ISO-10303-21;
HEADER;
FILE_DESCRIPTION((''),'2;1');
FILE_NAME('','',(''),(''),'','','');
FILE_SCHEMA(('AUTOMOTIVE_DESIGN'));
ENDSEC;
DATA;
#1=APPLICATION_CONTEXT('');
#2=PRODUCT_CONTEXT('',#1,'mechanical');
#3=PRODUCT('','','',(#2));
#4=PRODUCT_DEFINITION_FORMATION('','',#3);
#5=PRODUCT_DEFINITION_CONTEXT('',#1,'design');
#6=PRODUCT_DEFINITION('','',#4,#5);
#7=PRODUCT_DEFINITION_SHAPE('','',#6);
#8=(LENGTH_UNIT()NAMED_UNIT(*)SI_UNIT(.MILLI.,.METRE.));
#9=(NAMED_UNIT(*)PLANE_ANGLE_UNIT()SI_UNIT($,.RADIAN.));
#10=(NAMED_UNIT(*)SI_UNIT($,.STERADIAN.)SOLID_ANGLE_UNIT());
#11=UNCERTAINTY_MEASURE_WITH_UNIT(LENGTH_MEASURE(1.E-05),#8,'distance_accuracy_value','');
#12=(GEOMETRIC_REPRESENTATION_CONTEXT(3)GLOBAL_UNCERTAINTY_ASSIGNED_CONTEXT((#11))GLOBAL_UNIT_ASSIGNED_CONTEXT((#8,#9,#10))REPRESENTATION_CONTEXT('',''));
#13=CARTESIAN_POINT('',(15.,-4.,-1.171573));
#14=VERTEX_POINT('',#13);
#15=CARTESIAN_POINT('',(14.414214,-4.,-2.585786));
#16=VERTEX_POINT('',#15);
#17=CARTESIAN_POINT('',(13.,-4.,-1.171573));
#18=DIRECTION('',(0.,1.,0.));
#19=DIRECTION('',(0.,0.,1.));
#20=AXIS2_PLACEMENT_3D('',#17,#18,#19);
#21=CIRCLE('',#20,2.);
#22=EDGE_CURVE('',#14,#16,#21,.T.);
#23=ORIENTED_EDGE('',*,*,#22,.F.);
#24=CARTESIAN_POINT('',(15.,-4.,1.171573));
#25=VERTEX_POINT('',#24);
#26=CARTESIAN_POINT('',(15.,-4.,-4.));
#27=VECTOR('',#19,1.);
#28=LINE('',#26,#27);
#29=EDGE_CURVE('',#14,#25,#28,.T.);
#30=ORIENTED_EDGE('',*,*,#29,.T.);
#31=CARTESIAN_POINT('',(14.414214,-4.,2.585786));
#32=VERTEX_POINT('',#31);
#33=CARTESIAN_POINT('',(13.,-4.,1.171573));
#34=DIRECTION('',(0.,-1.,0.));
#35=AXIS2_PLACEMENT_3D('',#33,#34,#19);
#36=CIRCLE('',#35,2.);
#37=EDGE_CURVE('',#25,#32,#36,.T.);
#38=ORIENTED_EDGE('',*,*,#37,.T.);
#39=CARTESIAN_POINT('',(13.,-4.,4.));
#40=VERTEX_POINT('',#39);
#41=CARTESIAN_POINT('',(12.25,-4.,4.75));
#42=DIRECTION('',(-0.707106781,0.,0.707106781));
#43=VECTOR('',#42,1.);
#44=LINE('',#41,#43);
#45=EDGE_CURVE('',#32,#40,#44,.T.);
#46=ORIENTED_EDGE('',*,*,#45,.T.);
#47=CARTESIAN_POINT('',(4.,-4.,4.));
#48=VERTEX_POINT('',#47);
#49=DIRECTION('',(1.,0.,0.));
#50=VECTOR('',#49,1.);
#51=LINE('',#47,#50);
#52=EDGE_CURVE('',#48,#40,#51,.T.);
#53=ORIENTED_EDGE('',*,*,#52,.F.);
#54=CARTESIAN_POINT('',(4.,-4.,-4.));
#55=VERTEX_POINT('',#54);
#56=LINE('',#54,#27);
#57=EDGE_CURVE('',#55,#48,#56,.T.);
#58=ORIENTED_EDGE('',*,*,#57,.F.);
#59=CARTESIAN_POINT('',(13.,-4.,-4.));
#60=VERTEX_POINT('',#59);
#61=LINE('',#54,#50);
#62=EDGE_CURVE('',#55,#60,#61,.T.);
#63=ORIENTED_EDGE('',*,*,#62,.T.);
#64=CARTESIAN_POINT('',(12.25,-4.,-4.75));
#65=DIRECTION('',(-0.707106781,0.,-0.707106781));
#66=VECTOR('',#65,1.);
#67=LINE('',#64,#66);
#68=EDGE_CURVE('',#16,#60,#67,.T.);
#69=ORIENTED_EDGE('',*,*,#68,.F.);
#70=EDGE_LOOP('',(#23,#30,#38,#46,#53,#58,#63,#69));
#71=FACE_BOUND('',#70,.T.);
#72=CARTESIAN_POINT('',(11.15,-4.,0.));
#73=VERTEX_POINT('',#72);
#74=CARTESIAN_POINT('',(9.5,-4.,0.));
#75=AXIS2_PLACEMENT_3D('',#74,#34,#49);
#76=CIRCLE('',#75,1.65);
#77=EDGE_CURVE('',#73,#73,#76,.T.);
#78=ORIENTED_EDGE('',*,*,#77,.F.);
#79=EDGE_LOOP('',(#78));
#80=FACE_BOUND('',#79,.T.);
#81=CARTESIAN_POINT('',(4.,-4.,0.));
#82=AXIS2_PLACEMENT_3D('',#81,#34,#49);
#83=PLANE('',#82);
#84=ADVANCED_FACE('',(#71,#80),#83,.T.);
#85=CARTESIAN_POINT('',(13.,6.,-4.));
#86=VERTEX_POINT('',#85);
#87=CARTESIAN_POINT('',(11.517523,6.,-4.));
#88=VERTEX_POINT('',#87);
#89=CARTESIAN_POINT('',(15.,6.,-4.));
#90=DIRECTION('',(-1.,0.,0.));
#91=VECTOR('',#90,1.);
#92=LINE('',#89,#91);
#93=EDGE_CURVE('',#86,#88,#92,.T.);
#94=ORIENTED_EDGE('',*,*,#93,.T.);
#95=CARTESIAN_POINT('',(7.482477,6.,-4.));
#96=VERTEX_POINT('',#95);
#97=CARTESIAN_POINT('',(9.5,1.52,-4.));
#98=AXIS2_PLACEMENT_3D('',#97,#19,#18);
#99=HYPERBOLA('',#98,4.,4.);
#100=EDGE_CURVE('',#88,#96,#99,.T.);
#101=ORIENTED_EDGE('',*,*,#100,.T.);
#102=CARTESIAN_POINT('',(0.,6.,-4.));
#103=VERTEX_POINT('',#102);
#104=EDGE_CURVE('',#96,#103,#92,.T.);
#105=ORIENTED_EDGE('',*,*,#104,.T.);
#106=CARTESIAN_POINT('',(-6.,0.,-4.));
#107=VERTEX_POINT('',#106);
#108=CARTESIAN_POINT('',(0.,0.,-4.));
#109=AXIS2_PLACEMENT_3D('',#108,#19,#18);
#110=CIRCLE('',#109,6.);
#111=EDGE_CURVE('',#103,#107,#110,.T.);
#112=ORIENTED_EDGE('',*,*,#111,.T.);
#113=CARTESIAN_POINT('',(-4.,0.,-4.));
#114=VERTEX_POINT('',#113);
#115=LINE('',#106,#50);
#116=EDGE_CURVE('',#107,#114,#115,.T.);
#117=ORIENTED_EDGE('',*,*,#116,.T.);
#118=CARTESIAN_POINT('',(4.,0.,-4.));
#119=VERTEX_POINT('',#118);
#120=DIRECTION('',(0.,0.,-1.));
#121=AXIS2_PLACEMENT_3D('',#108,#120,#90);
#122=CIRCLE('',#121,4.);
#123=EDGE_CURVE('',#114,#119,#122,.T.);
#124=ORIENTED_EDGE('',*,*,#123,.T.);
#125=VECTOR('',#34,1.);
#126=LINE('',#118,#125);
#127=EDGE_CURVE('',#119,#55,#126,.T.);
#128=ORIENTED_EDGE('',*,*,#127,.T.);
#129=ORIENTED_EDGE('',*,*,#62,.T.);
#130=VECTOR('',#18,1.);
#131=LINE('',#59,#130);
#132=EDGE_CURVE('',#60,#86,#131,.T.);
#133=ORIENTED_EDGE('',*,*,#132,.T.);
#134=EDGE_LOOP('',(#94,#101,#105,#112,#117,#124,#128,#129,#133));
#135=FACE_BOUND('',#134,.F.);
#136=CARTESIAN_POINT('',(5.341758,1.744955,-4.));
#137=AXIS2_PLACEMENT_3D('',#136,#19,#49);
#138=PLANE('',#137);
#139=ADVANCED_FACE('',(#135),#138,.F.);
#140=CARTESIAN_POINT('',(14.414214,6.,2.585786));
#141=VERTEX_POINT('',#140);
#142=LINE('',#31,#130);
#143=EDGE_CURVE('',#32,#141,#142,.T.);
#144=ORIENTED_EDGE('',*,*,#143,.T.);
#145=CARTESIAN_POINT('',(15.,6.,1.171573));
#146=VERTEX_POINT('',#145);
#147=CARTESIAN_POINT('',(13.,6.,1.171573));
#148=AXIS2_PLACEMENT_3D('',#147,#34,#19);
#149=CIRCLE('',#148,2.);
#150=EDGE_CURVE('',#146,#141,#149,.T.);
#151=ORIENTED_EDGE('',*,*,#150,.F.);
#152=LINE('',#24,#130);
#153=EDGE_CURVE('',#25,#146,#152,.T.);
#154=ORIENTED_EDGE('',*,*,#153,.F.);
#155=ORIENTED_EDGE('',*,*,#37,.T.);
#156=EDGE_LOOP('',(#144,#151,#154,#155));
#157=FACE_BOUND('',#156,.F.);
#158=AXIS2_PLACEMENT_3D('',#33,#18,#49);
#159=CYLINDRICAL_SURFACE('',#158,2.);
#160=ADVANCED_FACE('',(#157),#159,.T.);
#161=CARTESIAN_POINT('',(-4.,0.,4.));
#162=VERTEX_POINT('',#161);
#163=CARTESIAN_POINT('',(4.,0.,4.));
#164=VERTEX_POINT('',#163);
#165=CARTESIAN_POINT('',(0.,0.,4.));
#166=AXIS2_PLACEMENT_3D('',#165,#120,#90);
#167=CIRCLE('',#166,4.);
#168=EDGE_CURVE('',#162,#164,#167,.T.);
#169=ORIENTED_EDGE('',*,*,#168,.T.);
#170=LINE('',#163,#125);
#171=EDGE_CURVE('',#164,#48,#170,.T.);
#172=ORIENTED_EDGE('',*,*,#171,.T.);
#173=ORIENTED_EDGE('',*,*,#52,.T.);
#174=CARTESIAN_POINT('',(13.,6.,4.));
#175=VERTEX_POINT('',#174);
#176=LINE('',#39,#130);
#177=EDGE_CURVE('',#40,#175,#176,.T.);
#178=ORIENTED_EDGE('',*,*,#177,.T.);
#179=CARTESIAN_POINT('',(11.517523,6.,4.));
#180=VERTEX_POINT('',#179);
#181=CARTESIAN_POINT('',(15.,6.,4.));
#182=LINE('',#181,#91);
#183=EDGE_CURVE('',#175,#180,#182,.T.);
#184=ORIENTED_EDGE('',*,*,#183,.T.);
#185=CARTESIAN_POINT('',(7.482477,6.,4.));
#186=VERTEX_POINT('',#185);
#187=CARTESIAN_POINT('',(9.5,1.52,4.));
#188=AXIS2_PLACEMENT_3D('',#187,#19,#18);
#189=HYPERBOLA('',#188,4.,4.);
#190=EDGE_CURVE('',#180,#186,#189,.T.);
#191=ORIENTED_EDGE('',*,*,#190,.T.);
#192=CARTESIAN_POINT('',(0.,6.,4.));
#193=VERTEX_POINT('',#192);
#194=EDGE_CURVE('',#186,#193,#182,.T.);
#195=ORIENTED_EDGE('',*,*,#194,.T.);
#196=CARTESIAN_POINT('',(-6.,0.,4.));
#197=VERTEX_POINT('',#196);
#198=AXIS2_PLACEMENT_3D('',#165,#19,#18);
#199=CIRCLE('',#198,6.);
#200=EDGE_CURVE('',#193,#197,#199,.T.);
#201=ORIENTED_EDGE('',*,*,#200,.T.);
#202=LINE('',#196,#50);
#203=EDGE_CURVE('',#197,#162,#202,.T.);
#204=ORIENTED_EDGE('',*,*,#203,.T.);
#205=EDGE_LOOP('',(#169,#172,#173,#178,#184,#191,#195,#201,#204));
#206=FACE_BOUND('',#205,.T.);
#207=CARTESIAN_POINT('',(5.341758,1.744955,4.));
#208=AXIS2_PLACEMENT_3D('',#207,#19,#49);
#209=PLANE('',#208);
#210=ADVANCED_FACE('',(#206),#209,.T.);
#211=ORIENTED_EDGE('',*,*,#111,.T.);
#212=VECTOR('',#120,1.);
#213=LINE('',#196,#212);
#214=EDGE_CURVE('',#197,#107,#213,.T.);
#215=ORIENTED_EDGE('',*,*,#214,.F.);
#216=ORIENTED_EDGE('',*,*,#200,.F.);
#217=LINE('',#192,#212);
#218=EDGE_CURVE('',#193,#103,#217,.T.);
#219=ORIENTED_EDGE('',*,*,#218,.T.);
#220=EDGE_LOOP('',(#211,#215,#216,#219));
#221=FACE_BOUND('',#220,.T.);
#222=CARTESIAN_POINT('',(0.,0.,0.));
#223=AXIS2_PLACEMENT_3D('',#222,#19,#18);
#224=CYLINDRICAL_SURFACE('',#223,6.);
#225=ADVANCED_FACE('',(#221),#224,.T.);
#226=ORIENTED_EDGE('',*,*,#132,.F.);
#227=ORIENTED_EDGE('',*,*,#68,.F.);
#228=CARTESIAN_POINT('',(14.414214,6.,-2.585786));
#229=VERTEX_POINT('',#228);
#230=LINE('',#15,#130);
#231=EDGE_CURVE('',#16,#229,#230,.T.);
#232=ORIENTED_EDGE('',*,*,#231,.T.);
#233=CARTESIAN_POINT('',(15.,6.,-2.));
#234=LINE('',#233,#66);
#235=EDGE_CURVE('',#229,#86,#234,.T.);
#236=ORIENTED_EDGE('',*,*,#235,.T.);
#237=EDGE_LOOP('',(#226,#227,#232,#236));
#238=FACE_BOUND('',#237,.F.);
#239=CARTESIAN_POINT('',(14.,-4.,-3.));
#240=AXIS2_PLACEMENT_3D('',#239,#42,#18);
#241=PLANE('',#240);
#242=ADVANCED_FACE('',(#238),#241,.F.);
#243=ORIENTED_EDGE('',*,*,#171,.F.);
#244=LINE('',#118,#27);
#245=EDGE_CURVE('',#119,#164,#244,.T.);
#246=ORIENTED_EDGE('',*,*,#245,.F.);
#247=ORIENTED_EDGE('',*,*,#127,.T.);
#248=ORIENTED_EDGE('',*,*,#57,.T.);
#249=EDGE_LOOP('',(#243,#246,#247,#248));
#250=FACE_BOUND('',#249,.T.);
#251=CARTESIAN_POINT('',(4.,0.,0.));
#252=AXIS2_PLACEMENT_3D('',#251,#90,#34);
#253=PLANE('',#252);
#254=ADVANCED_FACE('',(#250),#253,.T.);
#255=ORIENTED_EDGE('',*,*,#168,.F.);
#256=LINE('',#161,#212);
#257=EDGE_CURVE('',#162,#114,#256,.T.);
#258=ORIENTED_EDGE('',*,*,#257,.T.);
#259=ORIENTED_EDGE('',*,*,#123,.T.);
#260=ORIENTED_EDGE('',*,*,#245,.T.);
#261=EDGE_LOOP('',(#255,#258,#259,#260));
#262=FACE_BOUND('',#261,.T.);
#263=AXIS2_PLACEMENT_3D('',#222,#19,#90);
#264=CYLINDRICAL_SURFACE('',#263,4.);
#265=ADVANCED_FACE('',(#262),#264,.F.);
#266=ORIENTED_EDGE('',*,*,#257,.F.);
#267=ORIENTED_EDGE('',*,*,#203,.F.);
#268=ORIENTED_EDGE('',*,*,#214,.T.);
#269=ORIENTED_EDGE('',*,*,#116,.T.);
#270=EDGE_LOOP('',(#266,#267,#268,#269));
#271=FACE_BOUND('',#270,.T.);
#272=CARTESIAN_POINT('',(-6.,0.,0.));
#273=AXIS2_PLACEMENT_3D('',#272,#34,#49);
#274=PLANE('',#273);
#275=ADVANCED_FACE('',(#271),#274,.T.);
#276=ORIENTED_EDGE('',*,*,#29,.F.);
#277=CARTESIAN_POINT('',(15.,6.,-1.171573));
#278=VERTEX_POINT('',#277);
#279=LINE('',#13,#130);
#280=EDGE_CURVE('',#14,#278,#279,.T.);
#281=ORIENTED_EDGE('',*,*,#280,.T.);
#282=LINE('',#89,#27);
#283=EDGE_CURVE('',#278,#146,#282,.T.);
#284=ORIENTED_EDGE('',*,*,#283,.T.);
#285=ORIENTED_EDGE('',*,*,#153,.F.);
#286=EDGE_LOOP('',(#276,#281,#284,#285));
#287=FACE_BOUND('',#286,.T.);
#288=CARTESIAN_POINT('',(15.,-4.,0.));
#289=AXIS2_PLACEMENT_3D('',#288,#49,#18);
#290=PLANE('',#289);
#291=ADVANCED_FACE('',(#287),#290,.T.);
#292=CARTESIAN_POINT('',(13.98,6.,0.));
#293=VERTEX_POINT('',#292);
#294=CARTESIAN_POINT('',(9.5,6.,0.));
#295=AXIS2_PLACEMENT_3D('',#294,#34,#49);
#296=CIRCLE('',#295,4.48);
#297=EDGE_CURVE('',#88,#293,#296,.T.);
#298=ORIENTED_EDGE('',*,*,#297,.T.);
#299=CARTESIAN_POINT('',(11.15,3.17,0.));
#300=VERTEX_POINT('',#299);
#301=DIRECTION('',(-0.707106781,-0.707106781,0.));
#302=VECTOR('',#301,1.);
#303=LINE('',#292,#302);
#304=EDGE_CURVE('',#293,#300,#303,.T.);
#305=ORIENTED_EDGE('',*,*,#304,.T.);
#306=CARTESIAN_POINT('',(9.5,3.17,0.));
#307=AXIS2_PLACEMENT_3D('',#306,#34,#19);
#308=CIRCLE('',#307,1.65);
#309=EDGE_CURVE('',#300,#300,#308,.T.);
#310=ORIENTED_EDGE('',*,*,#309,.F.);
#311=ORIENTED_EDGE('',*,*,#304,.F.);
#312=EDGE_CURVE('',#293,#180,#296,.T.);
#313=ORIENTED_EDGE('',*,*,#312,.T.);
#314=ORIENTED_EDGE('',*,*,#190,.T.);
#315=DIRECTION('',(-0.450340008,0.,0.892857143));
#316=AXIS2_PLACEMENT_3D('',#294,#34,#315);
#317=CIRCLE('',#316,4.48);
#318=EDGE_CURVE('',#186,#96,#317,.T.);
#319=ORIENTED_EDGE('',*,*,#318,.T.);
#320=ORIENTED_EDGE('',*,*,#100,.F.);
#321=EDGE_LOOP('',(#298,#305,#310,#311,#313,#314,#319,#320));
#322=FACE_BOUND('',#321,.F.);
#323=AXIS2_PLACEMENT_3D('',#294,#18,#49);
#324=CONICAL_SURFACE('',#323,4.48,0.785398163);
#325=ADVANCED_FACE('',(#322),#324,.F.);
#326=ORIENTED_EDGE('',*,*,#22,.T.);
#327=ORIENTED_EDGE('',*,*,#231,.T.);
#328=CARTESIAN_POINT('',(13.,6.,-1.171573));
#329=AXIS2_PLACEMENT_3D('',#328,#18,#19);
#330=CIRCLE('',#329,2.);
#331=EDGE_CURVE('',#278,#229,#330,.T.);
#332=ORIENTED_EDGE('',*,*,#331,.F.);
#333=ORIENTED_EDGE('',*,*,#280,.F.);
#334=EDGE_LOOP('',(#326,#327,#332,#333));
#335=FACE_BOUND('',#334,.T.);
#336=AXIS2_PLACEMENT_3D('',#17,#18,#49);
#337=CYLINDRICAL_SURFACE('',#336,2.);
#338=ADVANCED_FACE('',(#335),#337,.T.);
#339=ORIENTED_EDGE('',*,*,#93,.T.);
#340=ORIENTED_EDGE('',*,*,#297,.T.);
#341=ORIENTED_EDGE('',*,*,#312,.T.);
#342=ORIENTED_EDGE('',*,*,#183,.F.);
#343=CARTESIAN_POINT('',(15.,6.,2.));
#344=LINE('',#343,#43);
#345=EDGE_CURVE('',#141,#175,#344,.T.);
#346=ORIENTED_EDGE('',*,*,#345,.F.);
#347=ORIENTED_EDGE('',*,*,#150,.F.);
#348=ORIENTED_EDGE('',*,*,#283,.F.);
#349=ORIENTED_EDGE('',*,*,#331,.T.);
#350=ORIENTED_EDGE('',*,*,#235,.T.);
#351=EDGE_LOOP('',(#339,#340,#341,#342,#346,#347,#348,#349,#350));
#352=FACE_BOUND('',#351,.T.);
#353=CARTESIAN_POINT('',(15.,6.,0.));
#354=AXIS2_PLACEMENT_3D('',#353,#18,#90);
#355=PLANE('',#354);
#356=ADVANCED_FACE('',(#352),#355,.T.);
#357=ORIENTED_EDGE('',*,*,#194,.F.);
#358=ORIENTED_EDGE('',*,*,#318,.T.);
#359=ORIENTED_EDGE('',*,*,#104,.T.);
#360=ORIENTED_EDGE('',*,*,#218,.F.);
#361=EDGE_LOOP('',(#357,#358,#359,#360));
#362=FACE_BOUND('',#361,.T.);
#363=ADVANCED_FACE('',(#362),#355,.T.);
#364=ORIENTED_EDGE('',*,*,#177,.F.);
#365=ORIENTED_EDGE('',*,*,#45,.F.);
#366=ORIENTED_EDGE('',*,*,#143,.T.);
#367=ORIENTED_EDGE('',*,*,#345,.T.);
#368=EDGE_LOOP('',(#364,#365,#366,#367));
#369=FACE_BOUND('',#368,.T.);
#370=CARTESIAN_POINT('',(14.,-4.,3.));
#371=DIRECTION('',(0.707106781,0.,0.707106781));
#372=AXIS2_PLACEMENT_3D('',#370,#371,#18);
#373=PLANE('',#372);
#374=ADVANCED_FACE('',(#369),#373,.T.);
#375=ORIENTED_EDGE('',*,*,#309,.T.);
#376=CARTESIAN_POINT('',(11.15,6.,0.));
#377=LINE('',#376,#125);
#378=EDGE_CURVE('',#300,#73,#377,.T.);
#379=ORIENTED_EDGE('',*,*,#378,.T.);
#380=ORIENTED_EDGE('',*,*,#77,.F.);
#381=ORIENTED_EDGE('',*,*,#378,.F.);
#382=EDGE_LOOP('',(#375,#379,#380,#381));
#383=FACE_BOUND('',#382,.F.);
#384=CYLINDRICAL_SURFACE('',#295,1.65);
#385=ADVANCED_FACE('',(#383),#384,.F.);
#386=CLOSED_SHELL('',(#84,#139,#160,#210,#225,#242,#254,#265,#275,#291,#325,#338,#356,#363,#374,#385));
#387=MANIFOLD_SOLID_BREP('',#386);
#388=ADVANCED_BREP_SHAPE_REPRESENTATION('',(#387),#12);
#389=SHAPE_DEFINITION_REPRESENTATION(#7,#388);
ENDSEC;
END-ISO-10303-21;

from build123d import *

# Parameters (mm, degrees)
F1_DEPTH       = 4
F3_D           = 3.3
F3_CSINK_D     = 8.96
F3_CSINK_ANGLE = 90
F4_SIZE        = 2
F5_R           = 2


with BuildPart() as f1:
    # F0 (on Top) → F1 (new body, symmetric)
    with BuildSketch(Plane.XY):
        with BuildLine():
            ThreePointArc((-4, 0), (0, 4), (4, 0))
            Line((4, 0), (4, -4))
            Line((4, -4), (15, -4))
            Line((15, -4), (15, 6))
            Line((15, 6), (0, 6))
            ThreePointArc((0, 6), (-4.2426406871, 4.2426406871), (-6, 0))
            Line((-6, 0), (-4, 0))
        make_face()
    extrude(amount=F1_DEPTH, both=True)

    # F3 (through all)
    with Locations(Plane(origin=(0, 6, 0), x_dir=(-1, 0, 0), z_dir=(0, 1, 0))):
        with Locations((-9.5, 0)):
            CounterSinkHole(F3_D / 2, F3_CSINK_D / 2, counter_sink_angle=F3_CSINK_ANGLE)

    # F4
    f4_edges = [f1.edges().sort_by_distance(p)[0] for p in [
        (15, 1, -4),
        (15, 1, 4),
    ]]
    chamfer(f4_edges, length=F4_SIZE)

    # F5
    f5_edges = [f1.edges().sort_by_distance(p)[0] for p in [
        (15, 1, 2),
        (15, 1, -2),
    ]]
    fillet(f5_edges, radius=F5_R)


solid = f1.part
